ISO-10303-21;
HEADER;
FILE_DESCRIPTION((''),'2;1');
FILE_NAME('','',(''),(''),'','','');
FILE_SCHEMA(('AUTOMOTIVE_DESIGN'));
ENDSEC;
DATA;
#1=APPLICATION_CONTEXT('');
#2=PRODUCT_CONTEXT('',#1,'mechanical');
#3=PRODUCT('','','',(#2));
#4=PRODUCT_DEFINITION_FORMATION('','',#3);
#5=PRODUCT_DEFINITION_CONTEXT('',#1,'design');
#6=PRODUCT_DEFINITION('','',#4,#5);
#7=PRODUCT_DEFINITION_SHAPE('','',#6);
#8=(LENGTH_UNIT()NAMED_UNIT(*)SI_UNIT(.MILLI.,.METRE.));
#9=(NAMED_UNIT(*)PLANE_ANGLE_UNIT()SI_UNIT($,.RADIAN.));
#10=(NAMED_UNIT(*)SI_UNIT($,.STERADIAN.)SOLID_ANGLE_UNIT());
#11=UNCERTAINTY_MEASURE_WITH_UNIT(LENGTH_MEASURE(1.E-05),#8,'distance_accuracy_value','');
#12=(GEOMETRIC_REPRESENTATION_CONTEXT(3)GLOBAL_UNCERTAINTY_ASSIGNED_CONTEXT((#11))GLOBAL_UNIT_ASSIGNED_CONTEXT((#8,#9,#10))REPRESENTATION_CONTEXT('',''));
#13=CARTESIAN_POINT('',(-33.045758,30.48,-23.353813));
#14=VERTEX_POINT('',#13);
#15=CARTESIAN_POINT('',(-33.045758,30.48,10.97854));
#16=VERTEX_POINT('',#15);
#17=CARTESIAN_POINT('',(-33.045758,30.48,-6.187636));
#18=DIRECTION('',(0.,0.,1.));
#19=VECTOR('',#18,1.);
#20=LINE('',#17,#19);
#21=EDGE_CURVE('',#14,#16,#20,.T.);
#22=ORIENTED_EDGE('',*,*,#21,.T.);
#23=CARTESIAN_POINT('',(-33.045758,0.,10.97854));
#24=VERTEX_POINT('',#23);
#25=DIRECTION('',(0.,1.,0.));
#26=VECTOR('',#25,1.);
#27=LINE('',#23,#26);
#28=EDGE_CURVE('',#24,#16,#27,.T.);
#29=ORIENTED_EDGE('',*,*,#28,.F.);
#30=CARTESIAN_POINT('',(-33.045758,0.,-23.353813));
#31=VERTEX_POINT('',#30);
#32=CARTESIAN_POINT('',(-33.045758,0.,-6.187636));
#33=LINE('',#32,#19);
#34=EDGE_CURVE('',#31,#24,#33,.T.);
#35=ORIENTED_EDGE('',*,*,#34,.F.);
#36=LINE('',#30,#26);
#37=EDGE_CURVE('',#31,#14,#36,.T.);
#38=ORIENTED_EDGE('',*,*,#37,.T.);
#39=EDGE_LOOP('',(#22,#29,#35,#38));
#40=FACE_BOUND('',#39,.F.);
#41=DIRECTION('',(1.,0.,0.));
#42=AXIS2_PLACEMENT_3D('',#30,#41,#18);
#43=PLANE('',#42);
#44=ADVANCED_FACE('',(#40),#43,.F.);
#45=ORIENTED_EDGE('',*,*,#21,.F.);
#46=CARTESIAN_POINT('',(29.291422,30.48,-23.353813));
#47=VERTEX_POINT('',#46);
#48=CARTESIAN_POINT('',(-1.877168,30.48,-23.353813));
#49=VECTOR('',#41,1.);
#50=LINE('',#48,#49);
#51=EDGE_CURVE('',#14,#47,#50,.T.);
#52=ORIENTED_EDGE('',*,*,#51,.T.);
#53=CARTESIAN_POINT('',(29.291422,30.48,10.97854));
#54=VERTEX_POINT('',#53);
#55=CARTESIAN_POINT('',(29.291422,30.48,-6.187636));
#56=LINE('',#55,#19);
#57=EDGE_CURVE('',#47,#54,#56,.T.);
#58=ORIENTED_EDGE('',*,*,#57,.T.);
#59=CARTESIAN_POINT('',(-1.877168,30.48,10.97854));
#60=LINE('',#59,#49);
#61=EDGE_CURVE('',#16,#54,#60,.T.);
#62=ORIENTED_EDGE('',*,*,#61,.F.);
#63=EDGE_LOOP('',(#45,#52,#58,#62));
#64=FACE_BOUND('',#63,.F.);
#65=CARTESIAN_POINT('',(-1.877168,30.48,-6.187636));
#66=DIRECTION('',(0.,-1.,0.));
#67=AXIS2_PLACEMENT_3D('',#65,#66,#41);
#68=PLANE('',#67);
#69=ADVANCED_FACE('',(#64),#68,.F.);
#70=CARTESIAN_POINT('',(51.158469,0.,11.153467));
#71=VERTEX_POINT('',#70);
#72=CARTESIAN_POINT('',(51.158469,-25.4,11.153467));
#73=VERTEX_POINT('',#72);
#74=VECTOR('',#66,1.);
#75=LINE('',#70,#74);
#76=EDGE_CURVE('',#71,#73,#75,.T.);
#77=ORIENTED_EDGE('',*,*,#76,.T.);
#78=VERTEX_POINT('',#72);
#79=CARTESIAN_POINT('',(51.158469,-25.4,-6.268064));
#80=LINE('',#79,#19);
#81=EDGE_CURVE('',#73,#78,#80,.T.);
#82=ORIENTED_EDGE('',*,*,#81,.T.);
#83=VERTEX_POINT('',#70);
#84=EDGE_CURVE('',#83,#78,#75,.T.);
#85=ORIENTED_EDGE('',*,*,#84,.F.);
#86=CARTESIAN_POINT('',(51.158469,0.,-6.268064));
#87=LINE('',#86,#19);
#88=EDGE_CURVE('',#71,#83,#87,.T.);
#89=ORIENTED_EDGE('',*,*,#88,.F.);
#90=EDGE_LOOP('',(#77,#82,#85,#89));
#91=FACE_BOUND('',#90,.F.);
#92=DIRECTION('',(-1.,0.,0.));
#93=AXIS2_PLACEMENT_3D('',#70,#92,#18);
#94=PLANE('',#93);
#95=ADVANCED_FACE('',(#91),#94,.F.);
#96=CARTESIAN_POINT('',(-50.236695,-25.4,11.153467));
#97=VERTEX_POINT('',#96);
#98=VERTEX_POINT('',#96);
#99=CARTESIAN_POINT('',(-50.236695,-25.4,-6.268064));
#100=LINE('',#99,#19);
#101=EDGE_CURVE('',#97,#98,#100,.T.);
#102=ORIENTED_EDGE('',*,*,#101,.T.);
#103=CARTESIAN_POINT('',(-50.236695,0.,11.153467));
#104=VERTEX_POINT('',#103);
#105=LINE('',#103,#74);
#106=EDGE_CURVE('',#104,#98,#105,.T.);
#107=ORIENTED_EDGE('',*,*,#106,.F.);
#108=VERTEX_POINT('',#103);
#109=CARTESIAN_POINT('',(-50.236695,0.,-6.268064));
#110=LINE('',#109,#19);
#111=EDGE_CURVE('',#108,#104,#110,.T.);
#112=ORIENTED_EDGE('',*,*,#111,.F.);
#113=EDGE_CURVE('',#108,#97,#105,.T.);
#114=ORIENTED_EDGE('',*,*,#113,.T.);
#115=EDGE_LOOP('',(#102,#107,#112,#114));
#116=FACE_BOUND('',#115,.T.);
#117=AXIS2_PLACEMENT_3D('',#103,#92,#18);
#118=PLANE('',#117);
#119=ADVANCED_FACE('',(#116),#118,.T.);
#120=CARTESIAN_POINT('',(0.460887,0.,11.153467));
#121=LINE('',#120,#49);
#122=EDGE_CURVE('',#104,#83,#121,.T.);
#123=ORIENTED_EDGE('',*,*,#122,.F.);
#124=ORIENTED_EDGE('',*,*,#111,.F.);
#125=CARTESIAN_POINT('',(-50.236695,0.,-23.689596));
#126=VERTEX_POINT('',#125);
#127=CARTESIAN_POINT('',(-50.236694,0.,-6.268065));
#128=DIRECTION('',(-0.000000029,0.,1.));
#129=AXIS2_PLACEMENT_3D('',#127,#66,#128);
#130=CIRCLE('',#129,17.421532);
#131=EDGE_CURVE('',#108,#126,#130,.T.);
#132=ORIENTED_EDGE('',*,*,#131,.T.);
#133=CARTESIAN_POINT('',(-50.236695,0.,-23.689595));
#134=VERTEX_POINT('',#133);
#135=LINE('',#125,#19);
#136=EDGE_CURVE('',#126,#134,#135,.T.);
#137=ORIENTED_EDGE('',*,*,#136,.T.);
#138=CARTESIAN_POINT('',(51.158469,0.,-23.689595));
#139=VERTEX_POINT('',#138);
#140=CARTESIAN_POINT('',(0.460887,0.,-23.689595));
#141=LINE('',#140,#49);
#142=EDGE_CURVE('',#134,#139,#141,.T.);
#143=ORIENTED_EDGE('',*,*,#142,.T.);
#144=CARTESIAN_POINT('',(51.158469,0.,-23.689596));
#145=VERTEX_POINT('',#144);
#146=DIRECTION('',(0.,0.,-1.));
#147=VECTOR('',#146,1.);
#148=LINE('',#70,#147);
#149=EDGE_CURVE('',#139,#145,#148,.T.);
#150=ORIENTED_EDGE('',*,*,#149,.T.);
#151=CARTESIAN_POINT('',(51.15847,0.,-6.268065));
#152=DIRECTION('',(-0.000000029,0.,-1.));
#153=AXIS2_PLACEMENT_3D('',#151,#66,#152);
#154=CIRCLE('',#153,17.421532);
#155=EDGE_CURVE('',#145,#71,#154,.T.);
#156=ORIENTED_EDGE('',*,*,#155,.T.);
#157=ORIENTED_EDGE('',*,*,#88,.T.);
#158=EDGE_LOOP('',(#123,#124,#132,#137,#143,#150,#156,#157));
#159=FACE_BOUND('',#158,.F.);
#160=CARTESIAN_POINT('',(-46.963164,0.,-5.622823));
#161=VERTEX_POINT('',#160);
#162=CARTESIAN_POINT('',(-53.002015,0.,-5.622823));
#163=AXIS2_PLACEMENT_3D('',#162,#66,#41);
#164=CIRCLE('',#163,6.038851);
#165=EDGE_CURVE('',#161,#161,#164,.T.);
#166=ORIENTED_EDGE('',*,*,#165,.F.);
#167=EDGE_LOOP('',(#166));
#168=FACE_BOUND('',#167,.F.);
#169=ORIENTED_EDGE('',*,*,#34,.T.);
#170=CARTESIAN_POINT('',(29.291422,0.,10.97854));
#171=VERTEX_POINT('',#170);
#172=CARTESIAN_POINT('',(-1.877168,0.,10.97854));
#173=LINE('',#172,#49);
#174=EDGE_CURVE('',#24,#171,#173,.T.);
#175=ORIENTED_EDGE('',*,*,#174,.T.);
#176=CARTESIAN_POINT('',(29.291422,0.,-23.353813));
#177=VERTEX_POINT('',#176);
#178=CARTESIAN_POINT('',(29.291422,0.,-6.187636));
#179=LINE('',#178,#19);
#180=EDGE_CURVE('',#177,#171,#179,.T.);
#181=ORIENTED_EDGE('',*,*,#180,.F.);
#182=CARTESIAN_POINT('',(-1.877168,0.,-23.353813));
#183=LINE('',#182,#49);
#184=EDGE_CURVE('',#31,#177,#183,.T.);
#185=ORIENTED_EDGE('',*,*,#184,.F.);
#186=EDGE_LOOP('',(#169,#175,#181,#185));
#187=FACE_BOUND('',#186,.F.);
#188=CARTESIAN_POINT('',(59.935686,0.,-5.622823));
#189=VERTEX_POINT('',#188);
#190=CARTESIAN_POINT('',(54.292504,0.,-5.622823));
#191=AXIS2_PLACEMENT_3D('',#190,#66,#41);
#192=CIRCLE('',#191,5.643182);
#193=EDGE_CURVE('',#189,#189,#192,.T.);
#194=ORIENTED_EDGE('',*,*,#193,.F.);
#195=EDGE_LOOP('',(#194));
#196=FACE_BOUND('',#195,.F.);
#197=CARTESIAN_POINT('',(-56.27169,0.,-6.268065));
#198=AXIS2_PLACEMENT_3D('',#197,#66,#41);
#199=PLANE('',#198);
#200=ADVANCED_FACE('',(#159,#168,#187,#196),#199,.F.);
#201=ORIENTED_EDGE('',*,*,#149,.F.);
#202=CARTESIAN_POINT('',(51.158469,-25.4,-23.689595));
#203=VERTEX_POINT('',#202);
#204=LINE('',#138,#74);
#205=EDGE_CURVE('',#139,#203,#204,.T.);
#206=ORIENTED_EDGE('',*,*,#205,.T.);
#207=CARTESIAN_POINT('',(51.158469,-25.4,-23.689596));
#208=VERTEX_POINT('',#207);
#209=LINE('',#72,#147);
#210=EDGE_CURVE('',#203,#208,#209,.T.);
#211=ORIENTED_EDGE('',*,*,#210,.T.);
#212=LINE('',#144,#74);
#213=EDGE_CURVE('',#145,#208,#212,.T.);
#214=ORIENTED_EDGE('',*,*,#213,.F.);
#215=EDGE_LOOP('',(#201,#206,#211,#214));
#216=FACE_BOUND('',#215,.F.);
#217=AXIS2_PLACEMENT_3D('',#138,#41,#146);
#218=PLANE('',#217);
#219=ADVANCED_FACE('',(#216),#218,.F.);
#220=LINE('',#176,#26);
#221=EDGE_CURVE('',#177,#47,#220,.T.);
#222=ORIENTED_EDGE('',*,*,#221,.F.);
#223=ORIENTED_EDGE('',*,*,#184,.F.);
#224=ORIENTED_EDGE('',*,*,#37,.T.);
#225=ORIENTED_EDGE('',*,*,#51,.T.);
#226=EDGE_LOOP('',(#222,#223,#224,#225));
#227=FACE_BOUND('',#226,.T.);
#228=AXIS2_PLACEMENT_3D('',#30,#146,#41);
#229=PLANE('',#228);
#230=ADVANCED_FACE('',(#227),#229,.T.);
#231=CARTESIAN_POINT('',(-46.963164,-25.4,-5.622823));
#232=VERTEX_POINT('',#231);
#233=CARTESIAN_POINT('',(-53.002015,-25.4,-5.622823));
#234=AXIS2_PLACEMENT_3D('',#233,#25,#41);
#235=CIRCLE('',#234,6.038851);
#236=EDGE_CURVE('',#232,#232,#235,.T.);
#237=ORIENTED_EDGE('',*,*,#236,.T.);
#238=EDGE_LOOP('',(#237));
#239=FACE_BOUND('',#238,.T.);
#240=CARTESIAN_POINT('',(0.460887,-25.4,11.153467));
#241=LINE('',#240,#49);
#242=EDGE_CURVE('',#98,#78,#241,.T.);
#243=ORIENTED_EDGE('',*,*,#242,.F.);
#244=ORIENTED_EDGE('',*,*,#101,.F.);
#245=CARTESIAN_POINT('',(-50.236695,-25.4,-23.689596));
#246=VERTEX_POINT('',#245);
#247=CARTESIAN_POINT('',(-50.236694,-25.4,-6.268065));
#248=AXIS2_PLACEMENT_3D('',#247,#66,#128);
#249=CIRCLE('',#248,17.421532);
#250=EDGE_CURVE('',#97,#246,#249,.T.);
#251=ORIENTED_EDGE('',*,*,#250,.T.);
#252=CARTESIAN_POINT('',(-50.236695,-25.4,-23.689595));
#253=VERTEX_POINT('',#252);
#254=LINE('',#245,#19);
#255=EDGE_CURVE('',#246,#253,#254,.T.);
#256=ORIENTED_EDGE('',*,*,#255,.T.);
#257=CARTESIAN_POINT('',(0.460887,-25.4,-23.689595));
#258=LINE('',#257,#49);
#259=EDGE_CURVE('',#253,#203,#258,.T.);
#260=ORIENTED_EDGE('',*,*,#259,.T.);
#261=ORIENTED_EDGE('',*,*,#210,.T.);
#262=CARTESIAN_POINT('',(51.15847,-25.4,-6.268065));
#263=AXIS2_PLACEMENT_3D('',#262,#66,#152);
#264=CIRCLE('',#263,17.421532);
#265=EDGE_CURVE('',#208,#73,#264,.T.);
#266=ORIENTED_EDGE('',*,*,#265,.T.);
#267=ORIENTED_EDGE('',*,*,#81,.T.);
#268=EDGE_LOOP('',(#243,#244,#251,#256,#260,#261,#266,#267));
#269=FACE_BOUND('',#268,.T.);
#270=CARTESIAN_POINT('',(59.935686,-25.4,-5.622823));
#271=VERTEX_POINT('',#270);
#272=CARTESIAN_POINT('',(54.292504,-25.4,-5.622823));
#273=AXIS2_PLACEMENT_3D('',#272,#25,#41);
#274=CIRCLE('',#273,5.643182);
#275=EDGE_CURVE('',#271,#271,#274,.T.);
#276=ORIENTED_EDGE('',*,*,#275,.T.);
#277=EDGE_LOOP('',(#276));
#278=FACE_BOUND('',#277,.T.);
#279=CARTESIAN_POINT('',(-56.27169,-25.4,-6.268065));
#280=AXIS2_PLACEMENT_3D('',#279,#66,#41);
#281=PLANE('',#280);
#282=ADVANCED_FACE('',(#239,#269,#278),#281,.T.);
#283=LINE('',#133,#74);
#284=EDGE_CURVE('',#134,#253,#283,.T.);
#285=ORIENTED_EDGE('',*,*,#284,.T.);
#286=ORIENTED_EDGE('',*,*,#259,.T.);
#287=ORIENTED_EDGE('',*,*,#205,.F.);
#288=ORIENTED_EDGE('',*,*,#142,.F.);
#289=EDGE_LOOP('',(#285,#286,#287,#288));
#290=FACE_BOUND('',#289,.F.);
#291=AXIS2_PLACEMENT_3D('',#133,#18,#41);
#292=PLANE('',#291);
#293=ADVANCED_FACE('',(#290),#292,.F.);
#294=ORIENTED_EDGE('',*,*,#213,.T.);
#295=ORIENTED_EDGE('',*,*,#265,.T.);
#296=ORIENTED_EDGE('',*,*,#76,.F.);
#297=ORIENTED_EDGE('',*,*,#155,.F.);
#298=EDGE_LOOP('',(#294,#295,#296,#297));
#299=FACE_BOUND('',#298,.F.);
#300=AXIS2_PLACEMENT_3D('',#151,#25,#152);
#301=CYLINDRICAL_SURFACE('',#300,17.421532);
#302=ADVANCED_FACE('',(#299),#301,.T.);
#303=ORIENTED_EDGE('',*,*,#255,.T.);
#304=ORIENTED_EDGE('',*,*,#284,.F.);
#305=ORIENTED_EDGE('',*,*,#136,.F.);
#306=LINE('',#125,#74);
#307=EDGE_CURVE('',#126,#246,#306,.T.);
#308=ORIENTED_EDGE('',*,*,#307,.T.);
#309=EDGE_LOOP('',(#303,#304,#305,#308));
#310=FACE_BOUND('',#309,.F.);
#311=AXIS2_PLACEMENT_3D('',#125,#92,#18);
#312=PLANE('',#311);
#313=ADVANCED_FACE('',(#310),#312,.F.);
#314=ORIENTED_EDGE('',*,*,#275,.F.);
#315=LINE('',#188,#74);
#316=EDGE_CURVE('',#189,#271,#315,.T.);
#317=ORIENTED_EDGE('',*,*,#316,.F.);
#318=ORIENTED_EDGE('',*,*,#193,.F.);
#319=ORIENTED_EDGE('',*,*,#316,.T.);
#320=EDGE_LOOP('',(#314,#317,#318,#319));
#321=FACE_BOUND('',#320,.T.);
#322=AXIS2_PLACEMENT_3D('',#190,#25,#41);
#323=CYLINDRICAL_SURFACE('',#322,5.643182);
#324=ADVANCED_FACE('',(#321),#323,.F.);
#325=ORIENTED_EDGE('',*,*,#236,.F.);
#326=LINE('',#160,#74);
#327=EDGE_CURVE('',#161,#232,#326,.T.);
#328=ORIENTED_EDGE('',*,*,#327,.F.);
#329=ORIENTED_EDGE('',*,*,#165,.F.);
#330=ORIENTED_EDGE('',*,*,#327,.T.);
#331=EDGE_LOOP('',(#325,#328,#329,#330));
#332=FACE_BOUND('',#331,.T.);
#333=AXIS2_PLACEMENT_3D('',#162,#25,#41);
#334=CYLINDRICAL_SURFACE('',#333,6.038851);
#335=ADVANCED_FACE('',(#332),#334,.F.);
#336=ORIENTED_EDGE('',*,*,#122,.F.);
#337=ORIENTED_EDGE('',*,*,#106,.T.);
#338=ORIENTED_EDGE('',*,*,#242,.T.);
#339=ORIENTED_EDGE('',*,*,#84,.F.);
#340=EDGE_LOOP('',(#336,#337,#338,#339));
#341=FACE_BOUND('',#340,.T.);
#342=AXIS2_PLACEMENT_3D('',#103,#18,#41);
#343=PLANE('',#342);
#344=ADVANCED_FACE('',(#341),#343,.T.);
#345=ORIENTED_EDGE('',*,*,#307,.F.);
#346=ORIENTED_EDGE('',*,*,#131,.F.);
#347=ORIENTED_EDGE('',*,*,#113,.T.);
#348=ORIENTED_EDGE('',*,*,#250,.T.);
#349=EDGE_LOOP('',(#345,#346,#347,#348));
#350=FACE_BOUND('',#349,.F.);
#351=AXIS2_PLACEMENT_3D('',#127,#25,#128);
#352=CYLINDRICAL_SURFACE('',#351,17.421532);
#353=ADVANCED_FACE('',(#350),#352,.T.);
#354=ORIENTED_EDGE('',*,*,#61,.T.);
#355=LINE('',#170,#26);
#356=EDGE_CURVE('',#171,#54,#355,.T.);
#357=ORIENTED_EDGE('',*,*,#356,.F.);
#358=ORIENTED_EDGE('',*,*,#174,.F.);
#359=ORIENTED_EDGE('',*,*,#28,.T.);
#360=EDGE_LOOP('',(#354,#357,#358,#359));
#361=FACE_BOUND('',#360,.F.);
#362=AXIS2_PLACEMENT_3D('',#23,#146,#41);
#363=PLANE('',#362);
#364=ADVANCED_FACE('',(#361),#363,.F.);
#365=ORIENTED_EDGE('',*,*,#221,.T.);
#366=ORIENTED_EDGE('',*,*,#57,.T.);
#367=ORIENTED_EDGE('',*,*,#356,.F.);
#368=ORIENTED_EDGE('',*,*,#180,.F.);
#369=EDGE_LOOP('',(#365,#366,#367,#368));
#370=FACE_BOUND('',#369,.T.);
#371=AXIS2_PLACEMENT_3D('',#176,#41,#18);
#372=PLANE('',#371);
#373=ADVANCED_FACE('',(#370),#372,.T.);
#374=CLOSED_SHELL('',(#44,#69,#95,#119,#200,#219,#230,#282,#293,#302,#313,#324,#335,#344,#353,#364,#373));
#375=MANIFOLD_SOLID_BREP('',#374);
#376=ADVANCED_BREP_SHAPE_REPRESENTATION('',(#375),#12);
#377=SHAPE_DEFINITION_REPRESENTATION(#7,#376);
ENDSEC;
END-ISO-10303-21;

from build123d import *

# Parameters (mm, degrees)
F0_W     = 101.395164
F0_H     = 34.843063
F1_DEPTH = 25.4
F2_R     = 6.038851
F2_R_2   = 5.643182
F3_DEPTH = 46.99
F4_W     = 62.337181
F4_H     = 34.332353
F5_DEPTH = 30.48


with BuildPart() as f1:
    # F0 (on Front) → F1 (new body)
    with BuildSketch(Plane.XZ):
        with BuildLine():
            Line((-50.236695, -23.689596), (-50.236695, 11.153467))
            ThreePointArc((-50.236695, 11.153467), (-67.658226, -6.268064), (-50.236695, -23.689596))
        make_face()
        with Locations((0.460887, -6.268064)):
            Rectangle(F0_W, F0_H)
        with BuildLine():
            ThreePointArc((51.158469, -23.689596), (68.580001, -6.268064), (51.158469, 11.153467))
            Line((51.158469, 11.153467), (51.158469, -23.689596))
        make_face()
    extrude(amount=F1_DEPTH)

    # F2 (on Front) → F3 (cut)
    with BuildSketch(Plane.XZ):
        with Locations((-53.002015, -5.622823)):
            Circle(F2_R)
        with Locations((54.292504, -5.622823)):
            Circle(F2_R_2)
    extrude(amount=F3_DEPTH, mode=Mode.SUBTRACT)

    # F4 (on Front) → F5 (join)
    with BuildSketch(Plane.XZ):
        with Locations((-1.877168, -6.187636)):
            Rectangle(F4_W, F4_H)
    extrude(amount=-F5_DEPTH)


solid = f1.part
